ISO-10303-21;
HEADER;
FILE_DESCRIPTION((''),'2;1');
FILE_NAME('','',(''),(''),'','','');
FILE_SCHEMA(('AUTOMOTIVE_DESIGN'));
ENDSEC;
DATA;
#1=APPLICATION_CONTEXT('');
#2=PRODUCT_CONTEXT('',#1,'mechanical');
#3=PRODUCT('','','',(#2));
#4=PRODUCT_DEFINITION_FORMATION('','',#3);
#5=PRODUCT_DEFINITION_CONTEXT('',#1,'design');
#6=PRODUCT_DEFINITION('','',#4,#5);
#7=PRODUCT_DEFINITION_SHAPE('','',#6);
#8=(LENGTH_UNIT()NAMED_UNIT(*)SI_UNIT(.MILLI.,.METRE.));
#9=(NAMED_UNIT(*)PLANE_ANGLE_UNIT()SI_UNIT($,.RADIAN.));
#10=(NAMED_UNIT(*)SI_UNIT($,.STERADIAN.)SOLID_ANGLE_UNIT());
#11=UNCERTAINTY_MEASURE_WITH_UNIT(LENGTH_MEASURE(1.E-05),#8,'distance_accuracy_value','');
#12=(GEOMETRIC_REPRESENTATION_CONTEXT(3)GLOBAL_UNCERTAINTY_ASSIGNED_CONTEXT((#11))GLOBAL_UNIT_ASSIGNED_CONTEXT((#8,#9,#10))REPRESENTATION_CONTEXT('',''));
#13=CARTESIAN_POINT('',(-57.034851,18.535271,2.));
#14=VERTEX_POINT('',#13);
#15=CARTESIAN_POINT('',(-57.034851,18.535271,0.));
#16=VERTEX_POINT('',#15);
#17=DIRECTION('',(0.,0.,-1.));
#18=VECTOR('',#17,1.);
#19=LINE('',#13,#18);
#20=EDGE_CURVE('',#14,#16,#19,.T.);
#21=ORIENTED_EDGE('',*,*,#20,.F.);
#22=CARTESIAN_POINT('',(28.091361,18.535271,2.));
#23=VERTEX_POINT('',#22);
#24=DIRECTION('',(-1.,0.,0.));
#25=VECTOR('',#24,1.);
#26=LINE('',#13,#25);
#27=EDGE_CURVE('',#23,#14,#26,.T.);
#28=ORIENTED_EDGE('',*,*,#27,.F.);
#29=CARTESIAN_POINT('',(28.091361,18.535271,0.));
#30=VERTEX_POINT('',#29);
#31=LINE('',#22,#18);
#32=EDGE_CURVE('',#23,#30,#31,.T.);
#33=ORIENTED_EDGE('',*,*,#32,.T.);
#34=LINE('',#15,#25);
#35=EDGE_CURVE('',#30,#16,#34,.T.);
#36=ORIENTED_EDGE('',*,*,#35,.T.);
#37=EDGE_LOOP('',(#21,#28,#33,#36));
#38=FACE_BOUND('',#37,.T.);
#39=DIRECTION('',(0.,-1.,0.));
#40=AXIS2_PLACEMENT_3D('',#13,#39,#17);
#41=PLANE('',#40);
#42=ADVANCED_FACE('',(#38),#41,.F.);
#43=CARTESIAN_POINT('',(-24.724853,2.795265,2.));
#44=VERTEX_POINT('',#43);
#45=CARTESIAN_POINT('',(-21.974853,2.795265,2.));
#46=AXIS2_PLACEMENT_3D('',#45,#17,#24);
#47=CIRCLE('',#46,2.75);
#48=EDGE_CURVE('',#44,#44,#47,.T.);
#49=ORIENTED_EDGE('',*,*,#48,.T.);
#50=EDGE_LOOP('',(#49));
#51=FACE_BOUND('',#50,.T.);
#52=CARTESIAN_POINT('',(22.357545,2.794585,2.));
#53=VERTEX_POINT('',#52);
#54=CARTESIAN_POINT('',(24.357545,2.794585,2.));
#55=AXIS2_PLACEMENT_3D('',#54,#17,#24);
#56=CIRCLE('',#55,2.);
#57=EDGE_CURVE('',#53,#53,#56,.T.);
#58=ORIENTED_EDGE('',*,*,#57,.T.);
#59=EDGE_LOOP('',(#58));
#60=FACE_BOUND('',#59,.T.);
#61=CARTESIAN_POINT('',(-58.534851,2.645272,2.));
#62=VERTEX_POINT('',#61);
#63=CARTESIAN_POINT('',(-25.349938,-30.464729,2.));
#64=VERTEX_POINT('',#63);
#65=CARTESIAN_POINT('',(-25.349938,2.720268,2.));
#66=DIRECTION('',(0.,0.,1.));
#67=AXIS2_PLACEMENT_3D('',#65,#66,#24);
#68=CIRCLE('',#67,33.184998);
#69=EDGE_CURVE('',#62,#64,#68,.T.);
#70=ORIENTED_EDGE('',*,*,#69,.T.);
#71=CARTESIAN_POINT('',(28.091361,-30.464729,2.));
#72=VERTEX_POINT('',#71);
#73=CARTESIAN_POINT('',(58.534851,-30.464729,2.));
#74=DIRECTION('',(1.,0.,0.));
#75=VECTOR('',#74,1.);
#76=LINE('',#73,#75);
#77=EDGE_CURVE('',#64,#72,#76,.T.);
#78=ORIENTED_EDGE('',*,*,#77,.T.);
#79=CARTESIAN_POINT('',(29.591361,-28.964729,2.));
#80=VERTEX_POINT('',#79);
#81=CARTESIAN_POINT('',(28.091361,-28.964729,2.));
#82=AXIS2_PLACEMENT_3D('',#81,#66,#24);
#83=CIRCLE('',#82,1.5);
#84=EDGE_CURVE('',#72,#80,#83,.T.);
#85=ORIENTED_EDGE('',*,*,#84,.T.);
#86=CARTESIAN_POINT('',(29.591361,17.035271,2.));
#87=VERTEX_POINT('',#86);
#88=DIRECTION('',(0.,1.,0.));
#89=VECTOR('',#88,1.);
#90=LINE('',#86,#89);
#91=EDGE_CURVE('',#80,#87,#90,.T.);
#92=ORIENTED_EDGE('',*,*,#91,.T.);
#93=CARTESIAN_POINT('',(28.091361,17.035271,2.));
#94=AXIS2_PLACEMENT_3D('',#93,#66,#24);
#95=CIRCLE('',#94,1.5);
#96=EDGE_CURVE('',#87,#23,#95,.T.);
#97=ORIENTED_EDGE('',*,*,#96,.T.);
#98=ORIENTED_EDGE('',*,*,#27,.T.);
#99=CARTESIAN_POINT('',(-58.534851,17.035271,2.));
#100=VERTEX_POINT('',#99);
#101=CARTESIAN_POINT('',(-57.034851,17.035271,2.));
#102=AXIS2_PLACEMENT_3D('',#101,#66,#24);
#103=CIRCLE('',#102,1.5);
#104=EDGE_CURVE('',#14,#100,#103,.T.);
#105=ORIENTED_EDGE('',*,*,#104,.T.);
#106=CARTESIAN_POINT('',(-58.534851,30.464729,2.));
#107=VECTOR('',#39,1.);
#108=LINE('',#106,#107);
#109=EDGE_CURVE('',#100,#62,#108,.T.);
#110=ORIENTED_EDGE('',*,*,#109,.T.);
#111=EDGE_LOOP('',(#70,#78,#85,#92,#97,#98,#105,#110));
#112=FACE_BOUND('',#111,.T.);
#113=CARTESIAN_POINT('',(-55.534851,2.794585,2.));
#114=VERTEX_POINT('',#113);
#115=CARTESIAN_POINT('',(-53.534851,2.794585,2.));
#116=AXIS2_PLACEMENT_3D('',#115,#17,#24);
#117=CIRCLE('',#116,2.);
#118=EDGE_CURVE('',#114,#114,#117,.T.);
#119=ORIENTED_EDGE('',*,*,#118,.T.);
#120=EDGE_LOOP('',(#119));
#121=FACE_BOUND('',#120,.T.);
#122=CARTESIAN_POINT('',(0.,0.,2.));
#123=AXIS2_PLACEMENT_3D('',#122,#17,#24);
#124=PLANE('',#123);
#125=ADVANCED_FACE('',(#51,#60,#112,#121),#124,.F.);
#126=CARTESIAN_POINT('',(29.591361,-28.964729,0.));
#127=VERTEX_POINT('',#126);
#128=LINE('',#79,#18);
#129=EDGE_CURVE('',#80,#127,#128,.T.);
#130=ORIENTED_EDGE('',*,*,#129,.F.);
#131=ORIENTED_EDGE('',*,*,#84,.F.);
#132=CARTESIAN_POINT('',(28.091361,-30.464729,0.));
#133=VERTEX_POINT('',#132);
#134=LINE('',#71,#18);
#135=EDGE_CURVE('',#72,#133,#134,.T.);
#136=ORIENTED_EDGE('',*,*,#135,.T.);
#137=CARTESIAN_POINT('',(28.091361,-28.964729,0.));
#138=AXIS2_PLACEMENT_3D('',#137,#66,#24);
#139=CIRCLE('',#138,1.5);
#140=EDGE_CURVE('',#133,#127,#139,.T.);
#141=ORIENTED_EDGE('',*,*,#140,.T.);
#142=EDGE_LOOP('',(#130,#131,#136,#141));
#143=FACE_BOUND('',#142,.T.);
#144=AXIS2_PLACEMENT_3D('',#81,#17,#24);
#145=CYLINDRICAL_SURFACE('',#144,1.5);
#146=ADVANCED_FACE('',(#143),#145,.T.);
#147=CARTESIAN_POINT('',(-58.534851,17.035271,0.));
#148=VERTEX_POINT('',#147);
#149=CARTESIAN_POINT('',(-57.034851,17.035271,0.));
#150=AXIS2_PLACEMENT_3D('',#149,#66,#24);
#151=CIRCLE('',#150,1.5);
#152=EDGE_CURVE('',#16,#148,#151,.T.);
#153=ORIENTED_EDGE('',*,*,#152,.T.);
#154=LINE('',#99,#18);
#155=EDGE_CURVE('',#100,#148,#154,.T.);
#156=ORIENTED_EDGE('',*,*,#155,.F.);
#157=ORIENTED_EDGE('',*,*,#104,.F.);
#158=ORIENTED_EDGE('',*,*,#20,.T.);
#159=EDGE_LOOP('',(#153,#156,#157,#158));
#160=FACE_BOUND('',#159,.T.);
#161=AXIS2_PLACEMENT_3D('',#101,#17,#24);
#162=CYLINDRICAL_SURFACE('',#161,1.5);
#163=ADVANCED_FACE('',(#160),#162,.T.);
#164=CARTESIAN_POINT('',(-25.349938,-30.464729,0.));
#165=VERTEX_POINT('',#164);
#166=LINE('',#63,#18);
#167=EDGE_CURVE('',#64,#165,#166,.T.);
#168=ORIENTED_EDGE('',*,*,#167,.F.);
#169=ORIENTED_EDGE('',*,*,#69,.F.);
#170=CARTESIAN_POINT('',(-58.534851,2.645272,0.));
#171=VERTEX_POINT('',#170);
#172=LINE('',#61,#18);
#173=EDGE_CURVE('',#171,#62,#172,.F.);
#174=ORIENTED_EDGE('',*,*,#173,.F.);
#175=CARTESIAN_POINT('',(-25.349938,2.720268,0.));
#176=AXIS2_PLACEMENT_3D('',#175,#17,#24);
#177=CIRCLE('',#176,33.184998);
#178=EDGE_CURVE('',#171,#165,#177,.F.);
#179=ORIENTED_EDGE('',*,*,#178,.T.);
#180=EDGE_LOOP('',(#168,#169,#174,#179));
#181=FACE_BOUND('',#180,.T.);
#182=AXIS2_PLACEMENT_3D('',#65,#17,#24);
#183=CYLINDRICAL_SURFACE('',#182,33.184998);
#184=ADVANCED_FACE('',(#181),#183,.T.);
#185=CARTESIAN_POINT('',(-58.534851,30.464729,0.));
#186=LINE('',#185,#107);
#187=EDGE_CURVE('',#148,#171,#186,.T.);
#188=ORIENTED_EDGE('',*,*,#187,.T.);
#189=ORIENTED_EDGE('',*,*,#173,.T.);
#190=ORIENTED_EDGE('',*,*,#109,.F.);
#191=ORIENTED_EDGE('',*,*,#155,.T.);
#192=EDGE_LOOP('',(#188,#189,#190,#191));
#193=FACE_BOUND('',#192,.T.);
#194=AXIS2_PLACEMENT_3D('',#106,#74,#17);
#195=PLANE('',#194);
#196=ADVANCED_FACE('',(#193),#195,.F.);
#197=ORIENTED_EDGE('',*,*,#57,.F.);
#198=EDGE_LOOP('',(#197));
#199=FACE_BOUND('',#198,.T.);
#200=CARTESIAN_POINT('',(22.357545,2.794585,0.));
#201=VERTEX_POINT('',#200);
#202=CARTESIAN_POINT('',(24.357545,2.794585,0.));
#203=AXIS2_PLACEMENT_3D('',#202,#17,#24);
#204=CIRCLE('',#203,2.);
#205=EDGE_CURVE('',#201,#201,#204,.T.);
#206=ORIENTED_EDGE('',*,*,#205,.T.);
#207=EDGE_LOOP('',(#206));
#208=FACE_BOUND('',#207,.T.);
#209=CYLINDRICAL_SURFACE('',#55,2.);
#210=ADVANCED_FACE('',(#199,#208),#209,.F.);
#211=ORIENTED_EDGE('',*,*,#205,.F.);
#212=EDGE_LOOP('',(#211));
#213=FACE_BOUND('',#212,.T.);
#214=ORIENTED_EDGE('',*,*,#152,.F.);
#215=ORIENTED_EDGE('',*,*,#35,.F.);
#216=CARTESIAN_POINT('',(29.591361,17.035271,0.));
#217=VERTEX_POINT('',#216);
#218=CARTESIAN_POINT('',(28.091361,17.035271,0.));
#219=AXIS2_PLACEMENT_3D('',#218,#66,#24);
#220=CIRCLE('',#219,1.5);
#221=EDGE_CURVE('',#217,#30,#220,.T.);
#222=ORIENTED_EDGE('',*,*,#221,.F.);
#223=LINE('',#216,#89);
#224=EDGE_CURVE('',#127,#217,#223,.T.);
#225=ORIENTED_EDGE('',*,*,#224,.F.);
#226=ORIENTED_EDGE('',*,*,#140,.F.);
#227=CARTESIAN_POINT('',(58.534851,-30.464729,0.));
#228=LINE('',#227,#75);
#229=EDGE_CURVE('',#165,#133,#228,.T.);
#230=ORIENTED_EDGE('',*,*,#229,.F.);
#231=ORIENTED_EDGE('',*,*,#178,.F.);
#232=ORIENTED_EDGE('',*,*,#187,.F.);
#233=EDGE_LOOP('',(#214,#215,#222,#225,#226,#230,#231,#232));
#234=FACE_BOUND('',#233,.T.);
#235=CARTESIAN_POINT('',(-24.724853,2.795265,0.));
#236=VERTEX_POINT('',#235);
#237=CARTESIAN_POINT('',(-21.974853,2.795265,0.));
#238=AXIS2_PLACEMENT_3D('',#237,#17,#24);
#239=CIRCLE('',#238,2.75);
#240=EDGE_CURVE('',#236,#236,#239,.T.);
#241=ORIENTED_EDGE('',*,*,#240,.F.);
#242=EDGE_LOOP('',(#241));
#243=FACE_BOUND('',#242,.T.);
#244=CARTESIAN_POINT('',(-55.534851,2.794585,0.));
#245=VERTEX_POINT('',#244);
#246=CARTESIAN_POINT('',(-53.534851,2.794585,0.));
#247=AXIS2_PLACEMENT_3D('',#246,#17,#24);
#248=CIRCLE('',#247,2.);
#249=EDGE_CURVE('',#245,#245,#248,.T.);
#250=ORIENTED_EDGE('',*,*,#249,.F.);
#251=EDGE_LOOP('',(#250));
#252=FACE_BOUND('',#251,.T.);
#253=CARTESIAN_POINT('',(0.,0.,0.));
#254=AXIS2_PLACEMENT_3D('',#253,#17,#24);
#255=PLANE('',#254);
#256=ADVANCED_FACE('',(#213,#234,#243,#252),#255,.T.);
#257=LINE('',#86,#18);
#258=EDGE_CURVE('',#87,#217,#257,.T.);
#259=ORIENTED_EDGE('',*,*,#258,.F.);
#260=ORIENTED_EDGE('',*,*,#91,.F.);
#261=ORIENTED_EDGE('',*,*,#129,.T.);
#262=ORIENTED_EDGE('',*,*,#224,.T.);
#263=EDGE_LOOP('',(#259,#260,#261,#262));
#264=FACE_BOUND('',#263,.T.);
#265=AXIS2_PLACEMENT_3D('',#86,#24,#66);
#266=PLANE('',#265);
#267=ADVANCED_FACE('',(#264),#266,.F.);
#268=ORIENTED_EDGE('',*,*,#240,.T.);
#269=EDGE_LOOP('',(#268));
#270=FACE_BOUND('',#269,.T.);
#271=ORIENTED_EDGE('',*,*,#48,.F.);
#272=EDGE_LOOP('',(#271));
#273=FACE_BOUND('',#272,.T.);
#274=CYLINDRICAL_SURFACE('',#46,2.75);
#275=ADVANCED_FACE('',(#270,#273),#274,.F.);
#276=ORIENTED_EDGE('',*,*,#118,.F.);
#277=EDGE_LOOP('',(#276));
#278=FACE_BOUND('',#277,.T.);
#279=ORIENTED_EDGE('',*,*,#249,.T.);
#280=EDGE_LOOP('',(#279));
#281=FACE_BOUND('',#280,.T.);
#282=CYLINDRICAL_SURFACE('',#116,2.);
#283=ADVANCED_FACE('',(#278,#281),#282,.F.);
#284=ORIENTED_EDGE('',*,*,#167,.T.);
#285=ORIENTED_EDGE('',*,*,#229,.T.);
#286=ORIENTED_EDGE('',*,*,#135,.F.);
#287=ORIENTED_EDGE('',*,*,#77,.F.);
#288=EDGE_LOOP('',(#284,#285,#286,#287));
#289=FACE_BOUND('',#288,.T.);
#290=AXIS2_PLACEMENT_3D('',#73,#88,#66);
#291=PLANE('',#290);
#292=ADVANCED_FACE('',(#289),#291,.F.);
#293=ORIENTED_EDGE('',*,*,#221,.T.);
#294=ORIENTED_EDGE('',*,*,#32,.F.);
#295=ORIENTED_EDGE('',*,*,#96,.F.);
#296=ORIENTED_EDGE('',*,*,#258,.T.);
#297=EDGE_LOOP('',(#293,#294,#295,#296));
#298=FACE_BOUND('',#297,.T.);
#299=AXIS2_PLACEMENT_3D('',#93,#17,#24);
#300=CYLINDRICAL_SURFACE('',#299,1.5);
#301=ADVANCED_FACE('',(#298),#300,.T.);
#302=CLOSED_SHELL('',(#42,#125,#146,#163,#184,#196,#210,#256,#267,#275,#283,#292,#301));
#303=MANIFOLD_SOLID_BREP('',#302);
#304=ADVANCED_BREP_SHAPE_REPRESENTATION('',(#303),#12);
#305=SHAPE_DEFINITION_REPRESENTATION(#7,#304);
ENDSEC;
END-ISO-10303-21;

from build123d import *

# Parameters (mm, degrees)
SKETCH1_W           = 117.069701218
SKETCH1_H           = 60.929458134
BOSS_EXTRUDE1_DEPTH = 2
SKETCH3_R           = 2
SKETCH3_R_2         = 2.75
CUT_EXTRUDE1_DEPTH  = 3


with BuildPart() as part:
    # Sketch1 → Boss-Extrude1 (new body)
    with BuildSketch(Plane.XY):
        Rectangle(SKETCH1_W, SKETCH1_H)
    extrude(amount=BOSS_EXTRUDE1_DEPTH)

    # Sketch3 → Cut-Extrude1 (cut, through all)
    with BuildSketch(Plane(origin=(0, 0, 0), x_dir=(-1, 0, 0), z_dir=(0, 0, -1))):
        with Locations((-24.357544508, 2.794584929)):
            Circle(SKETCH3_R)
        with Locations((53.534850609, 2.794584929)):
            Circle(SKETCH3_R)
        with Locations((21.97485305, 2.79526544)):
            Circle(SKETCH3_R_2)
        with BuildLine():
            Line((25.349937795, -30.464729067), (25.349937795, -36.756710317))
            Line((25.349937795, -36.756710317), (60.494221028, -36.756710317))
            Line((60.494221028, -36.756710317), (60.494221028, 2.79526544))
            Line((60.494221028, 2.79526544), (58.534850609, 2.79526544))
            ThreePointArc((58.534850609, 2.79526544), (48.841775064, -20.718537892), (25.349937795, -30.464729067))
        make_face()
        with BuildLine():
            Line((-29.591361368, 17.035270933), (-29.591361368, -28.964729067))
            ThreePointArc((-29.591361368, -28.964729067), (-29.15202154, -30.025389239), (-28.091361368, -30.464729067))
            Line((-28.091361368, -30.464729067), (-58.534850609, -30.464729067))
            Line((-58.534850609, -30.464729067), (-58.534850609, 30.464729067))
            Line((-58.534850609, 30.464729067), (58.534850609, 30.464729067))
            Line((58.534850609, 30.464729067), (58.534850609, 17.035270933))
            ThreePointArc((58.534850609, 17.035270933), (58.095510781, 18.095931105), (57.034850609, 18.535270933))
            Line((57.034850609, 18.535270933), (-28.091361368, 18.535270933))
            ThreePointArc((-28.091361368, 18.535270933), (-29.15202154, 18.095931105), (-29.591361368, 17.035270933))
        make_face()
    extrude(amount=-CUT_EXTRUDE1_DEPTH, mode=Mode.SUBTRACT)


solid = part.part
